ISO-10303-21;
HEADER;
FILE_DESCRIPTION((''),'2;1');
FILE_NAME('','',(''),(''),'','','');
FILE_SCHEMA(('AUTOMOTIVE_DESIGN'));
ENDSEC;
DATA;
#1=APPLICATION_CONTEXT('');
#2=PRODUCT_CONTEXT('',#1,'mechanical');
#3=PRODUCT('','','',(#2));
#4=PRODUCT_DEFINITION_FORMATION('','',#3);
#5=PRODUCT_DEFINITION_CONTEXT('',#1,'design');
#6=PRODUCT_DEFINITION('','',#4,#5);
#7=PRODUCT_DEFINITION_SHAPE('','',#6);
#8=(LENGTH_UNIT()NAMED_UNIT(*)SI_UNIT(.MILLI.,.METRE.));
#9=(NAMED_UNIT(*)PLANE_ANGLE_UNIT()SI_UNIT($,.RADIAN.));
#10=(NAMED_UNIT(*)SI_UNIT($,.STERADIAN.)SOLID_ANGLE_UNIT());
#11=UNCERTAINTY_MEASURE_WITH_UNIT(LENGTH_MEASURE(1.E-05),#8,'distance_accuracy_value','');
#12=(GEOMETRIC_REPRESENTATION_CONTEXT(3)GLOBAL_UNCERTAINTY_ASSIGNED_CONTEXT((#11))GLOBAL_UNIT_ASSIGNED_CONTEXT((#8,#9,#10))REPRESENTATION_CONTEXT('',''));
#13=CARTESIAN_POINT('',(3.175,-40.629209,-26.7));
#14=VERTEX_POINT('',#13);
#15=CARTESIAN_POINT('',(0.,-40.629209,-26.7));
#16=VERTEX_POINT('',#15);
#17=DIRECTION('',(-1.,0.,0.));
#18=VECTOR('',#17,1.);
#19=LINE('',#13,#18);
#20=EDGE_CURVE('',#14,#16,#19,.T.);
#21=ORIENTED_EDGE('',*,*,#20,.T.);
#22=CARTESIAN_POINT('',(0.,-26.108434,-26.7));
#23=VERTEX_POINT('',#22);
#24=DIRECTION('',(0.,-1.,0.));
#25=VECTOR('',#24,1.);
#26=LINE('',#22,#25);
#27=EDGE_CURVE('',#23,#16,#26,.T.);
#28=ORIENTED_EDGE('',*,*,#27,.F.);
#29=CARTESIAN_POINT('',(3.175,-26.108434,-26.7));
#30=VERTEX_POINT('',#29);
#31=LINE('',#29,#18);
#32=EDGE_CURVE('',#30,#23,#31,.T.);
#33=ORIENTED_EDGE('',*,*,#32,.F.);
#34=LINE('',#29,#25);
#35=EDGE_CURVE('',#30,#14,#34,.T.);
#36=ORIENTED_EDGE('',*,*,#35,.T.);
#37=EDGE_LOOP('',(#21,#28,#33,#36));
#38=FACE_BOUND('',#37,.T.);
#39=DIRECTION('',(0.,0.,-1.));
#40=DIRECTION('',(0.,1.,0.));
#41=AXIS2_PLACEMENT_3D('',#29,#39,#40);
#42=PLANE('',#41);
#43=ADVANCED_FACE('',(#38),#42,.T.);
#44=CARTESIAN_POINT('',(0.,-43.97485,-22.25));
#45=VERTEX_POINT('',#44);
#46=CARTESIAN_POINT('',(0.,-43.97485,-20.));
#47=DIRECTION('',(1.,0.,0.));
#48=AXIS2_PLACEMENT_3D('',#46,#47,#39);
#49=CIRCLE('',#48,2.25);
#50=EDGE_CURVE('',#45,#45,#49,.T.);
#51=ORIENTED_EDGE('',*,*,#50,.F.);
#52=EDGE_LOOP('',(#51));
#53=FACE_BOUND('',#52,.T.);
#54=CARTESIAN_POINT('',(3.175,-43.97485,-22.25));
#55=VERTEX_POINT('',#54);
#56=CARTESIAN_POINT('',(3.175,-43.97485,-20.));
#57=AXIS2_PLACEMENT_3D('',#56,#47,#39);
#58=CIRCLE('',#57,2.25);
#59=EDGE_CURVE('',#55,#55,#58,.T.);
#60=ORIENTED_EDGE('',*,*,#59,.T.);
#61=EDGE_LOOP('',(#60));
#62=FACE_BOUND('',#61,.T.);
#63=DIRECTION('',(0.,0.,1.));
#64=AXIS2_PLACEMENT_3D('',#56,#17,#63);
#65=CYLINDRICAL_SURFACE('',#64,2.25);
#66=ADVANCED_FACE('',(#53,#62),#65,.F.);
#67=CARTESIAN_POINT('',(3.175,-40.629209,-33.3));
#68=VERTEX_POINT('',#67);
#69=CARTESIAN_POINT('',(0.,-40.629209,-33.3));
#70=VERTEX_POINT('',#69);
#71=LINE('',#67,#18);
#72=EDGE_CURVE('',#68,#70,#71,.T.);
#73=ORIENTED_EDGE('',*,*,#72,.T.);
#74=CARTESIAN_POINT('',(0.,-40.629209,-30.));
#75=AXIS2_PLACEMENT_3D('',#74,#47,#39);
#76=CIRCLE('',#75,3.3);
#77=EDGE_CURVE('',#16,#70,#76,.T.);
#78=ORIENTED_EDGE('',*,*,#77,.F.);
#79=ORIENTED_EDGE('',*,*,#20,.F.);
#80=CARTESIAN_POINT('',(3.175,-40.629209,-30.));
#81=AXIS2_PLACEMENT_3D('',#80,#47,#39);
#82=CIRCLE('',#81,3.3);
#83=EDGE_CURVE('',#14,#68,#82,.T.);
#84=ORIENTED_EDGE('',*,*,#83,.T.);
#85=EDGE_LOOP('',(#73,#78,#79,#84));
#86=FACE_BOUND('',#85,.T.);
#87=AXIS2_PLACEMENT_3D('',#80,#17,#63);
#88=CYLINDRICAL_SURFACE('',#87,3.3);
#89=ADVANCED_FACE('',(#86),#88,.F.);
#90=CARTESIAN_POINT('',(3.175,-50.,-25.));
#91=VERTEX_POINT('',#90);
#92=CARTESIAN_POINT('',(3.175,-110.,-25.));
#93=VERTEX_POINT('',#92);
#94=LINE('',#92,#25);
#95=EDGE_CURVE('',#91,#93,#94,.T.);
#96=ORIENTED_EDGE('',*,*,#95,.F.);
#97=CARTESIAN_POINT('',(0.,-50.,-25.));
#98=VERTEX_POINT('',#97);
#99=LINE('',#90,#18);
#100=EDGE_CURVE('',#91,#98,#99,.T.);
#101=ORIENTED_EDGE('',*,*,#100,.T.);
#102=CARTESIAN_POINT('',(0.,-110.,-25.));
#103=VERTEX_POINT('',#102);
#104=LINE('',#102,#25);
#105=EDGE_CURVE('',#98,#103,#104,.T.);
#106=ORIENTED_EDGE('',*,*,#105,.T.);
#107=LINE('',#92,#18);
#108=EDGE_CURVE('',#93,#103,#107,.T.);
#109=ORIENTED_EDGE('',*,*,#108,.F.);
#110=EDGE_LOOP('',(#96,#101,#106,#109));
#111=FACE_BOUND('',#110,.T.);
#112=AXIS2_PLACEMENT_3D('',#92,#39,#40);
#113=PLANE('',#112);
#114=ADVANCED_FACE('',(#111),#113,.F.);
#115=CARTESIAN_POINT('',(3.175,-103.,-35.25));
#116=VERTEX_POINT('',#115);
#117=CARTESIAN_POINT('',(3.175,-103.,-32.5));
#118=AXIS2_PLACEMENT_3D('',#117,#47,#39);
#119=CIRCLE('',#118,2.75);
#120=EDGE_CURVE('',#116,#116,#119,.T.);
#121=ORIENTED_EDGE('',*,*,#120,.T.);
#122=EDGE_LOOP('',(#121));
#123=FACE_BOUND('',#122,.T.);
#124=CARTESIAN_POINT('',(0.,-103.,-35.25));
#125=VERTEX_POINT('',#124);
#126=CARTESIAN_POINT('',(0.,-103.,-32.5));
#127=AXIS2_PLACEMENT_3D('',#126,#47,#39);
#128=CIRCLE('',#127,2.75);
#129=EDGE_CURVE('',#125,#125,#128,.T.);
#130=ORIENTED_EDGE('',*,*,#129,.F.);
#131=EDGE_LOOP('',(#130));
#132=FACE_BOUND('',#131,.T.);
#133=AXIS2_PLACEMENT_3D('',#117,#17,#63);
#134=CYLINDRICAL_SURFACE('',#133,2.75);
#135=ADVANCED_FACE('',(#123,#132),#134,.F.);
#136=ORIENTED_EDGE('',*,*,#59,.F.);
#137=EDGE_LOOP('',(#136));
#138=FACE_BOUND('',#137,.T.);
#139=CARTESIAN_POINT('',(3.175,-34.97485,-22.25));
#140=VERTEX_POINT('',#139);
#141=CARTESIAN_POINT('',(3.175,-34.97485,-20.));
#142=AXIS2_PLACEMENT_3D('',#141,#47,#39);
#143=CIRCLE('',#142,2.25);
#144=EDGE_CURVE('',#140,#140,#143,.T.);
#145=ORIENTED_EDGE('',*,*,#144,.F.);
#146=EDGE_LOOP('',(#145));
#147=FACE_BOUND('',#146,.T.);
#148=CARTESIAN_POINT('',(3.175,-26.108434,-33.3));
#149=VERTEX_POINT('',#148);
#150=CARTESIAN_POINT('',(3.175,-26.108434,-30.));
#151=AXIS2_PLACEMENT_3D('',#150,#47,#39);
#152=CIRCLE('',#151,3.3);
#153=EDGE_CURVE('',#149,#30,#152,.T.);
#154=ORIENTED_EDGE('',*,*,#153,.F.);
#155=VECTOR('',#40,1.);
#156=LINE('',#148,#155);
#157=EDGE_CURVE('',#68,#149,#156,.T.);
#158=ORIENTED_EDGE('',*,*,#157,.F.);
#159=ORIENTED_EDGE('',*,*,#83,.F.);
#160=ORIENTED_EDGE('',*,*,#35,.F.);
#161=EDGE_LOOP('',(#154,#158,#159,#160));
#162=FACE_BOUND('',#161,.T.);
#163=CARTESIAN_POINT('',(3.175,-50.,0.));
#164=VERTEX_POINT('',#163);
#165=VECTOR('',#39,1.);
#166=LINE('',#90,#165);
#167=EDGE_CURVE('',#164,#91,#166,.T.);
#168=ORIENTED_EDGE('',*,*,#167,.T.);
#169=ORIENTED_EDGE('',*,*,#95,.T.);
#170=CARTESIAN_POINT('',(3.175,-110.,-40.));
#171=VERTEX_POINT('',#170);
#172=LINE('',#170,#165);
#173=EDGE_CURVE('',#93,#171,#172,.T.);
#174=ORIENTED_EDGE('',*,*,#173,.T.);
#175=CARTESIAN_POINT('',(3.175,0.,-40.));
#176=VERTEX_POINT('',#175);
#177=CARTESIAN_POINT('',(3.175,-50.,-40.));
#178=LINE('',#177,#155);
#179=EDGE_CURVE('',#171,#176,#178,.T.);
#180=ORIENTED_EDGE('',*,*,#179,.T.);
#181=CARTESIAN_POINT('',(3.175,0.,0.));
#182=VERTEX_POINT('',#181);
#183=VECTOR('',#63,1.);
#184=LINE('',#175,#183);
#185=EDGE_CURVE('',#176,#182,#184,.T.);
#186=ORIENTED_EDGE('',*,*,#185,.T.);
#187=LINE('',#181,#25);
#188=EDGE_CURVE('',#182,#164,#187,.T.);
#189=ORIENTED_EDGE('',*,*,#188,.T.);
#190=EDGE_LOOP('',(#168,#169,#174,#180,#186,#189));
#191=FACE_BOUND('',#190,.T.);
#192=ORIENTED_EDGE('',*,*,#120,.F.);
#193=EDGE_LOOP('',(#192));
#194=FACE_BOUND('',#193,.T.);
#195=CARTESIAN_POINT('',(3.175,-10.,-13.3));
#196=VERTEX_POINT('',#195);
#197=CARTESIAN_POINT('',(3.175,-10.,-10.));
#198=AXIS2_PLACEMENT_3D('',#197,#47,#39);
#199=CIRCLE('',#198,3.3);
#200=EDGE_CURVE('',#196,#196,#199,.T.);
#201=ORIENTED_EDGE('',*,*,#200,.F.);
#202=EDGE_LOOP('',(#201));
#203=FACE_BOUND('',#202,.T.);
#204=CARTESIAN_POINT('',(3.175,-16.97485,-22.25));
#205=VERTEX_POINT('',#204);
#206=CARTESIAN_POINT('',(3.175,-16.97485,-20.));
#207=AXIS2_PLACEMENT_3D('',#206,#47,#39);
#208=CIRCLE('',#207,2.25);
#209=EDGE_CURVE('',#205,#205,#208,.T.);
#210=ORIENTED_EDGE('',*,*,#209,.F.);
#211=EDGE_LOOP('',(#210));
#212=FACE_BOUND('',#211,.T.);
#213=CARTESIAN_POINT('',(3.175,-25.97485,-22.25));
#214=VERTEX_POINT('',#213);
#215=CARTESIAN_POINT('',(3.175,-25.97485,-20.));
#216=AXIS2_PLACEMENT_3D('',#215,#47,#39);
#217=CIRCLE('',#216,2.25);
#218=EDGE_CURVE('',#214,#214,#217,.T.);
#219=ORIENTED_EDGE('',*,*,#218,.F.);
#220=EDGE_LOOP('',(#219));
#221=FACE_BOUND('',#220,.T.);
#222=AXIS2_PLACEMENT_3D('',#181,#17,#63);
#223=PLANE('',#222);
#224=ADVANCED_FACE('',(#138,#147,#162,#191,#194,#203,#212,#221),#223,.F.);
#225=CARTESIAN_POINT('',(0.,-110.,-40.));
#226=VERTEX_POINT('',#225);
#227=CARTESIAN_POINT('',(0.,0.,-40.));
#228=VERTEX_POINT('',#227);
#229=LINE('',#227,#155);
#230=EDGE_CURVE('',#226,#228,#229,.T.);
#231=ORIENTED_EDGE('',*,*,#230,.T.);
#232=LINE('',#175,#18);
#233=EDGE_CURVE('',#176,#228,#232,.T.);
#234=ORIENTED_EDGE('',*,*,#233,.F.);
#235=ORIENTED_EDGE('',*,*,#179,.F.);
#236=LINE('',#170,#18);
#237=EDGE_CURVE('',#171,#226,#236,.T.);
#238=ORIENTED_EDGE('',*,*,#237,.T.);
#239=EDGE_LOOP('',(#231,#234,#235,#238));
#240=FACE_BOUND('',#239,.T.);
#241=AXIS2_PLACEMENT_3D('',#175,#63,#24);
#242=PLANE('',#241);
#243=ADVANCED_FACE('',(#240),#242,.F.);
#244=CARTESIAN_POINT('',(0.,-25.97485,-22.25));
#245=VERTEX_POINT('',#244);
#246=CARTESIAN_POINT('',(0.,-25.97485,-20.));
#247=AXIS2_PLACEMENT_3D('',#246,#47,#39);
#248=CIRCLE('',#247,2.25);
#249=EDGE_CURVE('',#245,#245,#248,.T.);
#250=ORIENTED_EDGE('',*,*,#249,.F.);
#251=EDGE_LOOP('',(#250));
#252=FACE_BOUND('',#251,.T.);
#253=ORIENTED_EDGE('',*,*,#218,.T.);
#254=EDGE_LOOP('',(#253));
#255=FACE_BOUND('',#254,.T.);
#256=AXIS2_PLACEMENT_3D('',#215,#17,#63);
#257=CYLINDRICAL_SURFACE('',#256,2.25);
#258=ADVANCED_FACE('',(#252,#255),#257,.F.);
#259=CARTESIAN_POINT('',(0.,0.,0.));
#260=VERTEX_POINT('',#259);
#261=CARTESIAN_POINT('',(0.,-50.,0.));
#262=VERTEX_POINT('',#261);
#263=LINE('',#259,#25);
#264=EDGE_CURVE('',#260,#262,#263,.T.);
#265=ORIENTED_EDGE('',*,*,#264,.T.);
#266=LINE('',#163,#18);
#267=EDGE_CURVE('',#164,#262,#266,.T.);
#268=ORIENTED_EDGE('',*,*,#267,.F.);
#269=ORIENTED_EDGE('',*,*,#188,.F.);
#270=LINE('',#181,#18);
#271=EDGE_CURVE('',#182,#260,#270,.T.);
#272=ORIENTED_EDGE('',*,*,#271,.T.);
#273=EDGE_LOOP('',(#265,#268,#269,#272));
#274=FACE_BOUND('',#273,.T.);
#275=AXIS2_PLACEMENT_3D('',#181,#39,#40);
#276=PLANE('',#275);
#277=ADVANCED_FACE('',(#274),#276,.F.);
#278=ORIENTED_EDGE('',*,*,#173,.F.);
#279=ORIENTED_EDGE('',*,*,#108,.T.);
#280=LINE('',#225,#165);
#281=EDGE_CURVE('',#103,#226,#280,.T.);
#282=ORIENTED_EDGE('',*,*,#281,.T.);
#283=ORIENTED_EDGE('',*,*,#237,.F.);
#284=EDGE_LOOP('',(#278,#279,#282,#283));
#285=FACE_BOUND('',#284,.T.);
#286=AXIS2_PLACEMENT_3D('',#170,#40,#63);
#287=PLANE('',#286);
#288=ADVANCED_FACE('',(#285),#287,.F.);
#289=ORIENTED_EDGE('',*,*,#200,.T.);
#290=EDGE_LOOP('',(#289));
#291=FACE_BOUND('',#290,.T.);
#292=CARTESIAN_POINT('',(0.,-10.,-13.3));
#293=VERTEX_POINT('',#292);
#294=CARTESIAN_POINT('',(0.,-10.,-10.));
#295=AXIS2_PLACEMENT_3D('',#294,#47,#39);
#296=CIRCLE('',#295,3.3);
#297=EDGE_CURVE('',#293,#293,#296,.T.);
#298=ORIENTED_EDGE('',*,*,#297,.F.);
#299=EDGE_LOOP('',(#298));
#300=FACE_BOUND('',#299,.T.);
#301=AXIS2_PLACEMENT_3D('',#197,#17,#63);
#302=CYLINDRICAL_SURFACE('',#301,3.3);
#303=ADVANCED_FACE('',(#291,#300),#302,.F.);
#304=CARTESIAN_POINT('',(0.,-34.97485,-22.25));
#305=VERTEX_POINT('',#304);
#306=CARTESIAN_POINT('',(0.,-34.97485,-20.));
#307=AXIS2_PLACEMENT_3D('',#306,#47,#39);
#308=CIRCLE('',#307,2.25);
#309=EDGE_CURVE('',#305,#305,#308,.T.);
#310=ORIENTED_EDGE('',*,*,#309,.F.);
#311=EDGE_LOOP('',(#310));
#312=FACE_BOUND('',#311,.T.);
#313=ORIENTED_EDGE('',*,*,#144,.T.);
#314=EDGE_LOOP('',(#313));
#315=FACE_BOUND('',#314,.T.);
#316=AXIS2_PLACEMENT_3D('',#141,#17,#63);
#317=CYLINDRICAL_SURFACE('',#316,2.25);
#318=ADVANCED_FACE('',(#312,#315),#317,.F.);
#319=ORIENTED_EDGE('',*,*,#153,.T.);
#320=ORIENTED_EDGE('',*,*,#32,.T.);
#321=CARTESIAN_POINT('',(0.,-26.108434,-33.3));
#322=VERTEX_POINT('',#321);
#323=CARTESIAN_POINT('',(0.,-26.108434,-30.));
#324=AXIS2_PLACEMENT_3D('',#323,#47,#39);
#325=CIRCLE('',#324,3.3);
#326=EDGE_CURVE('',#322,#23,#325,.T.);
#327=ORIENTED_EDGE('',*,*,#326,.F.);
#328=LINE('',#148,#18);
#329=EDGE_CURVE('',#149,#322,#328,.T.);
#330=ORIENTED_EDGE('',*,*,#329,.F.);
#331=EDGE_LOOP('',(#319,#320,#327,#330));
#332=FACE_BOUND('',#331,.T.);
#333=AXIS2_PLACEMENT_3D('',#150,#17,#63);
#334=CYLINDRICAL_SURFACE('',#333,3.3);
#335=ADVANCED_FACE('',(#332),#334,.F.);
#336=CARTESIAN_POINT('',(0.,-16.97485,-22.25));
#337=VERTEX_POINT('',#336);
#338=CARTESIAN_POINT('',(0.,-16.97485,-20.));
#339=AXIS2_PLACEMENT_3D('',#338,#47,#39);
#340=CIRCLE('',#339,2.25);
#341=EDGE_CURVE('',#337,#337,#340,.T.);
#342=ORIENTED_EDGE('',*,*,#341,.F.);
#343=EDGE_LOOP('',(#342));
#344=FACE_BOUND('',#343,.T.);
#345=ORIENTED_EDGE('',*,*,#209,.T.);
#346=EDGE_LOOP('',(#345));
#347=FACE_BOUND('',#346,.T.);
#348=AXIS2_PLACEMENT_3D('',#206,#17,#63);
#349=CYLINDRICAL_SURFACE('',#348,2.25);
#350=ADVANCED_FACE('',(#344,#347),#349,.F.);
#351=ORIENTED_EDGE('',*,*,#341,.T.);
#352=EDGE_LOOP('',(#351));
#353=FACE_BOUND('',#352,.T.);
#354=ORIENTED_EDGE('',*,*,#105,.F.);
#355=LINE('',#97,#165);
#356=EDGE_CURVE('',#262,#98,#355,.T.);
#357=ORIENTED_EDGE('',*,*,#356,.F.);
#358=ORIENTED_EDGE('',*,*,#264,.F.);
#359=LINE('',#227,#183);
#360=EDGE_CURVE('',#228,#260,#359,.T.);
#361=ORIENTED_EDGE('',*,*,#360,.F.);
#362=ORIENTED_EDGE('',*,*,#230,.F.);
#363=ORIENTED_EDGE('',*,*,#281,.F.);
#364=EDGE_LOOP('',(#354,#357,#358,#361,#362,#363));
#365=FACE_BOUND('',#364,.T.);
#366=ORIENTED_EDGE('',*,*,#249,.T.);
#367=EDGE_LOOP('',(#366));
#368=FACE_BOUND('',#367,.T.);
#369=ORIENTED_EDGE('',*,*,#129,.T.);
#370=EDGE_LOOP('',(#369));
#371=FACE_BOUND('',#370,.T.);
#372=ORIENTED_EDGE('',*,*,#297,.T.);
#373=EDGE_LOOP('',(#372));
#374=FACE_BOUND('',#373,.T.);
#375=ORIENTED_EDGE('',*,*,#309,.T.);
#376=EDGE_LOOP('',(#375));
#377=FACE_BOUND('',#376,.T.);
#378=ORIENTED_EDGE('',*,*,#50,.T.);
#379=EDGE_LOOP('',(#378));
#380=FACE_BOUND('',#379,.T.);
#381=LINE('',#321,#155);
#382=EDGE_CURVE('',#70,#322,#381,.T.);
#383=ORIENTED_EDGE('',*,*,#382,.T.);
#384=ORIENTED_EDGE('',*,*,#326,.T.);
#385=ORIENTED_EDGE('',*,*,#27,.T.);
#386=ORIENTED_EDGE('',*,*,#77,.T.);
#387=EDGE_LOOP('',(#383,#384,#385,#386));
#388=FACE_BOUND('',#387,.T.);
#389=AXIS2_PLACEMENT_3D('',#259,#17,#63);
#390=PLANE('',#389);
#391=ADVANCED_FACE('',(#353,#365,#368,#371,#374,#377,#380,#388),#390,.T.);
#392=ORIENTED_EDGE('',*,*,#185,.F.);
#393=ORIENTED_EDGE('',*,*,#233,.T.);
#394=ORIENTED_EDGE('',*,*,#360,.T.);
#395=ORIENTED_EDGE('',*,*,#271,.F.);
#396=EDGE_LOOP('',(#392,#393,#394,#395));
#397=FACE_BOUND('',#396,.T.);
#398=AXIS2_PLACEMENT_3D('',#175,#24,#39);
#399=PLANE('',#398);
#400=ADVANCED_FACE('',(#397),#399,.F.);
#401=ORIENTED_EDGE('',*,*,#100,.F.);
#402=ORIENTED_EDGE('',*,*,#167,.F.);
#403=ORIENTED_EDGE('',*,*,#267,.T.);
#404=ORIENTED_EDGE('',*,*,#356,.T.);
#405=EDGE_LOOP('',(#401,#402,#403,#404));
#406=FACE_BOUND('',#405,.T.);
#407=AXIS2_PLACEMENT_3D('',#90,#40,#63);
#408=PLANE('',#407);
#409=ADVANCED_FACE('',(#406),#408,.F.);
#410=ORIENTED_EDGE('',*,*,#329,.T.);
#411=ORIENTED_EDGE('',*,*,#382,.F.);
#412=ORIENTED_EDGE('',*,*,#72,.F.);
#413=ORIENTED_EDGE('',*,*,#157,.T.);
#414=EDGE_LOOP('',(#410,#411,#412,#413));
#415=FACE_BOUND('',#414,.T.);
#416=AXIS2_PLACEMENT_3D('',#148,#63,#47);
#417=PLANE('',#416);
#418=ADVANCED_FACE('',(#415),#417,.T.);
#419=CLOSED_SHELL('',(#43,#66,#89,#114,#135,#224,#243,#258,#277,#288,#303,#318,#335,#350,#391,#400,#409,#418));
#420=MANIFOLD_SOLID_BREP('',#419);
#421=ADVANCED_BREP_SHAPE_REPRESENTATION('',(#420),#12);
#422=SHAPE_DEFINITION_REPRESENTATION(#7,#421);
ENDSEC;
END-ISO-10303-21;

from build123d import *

# Parameters (mm, degrees)
SKETCH1_R           = 3.3
SKETCH1_R_2         = 2.25
SKETCH1_R_3         = 2.75
BOSS_EXTRUDE1_DEPTH = 3.175


with BuildPart() as part:
    # Sketch1 → Boss-Extrude1 (new body)
    with BuildSketch(Plane(origin=(0, 0, 0), x_dir=(0, 0, -1), z_dir=(1, 0, 0))):
        Polygon((40, 0), (0, 0), (0, -50), (25, -50), (25, -110), (40, -110), (40, -50), align=None)
        with Locations((10, -10)):
            Circle(SKETCH1_R, mode=Mode.SUBTRACT)
        with Locations((20, -16.974849628)):
            Circle(SKETCH1_R_2, mode=Mode.SUBTRACT)
        with Locations((20, -25.974849628)):
            Circle(SKETCH1_R_2, mode=Mode.SUBTRACT)
        with Locations((20, -34.974849628)):
            Circle(SKETCH1_R_2, mode=Mode.SUBTRACT)
        with Locations((20, -43.974849628)):
            Circle(SKETCH1_R_2, mode=Mode.SUBTRACT)
        with Locations((32.5, -103)):
            Circle(SKETCH1_R_3, mode=Mode.SUBTRACT)
        with BuildLine():
            Line((33.3, -26.108433688), (33.3, -40.629208547))
            ThreePointArc((33.3, -40.629208547), (30, -43.929208547), (26.7, -40.629208547))
            Line((26.7, -40.629208547), (26.7, -26.108433688))
            ThreePointArc((26.7, -26.108433688), (30, -22.808433688), (33.3, -26.108433688))
        make_face(mode=Mode.SUBTRACT)
    extrude(amount=BOSS_EXTRUDE1_DEPTH)


solid = part.part
